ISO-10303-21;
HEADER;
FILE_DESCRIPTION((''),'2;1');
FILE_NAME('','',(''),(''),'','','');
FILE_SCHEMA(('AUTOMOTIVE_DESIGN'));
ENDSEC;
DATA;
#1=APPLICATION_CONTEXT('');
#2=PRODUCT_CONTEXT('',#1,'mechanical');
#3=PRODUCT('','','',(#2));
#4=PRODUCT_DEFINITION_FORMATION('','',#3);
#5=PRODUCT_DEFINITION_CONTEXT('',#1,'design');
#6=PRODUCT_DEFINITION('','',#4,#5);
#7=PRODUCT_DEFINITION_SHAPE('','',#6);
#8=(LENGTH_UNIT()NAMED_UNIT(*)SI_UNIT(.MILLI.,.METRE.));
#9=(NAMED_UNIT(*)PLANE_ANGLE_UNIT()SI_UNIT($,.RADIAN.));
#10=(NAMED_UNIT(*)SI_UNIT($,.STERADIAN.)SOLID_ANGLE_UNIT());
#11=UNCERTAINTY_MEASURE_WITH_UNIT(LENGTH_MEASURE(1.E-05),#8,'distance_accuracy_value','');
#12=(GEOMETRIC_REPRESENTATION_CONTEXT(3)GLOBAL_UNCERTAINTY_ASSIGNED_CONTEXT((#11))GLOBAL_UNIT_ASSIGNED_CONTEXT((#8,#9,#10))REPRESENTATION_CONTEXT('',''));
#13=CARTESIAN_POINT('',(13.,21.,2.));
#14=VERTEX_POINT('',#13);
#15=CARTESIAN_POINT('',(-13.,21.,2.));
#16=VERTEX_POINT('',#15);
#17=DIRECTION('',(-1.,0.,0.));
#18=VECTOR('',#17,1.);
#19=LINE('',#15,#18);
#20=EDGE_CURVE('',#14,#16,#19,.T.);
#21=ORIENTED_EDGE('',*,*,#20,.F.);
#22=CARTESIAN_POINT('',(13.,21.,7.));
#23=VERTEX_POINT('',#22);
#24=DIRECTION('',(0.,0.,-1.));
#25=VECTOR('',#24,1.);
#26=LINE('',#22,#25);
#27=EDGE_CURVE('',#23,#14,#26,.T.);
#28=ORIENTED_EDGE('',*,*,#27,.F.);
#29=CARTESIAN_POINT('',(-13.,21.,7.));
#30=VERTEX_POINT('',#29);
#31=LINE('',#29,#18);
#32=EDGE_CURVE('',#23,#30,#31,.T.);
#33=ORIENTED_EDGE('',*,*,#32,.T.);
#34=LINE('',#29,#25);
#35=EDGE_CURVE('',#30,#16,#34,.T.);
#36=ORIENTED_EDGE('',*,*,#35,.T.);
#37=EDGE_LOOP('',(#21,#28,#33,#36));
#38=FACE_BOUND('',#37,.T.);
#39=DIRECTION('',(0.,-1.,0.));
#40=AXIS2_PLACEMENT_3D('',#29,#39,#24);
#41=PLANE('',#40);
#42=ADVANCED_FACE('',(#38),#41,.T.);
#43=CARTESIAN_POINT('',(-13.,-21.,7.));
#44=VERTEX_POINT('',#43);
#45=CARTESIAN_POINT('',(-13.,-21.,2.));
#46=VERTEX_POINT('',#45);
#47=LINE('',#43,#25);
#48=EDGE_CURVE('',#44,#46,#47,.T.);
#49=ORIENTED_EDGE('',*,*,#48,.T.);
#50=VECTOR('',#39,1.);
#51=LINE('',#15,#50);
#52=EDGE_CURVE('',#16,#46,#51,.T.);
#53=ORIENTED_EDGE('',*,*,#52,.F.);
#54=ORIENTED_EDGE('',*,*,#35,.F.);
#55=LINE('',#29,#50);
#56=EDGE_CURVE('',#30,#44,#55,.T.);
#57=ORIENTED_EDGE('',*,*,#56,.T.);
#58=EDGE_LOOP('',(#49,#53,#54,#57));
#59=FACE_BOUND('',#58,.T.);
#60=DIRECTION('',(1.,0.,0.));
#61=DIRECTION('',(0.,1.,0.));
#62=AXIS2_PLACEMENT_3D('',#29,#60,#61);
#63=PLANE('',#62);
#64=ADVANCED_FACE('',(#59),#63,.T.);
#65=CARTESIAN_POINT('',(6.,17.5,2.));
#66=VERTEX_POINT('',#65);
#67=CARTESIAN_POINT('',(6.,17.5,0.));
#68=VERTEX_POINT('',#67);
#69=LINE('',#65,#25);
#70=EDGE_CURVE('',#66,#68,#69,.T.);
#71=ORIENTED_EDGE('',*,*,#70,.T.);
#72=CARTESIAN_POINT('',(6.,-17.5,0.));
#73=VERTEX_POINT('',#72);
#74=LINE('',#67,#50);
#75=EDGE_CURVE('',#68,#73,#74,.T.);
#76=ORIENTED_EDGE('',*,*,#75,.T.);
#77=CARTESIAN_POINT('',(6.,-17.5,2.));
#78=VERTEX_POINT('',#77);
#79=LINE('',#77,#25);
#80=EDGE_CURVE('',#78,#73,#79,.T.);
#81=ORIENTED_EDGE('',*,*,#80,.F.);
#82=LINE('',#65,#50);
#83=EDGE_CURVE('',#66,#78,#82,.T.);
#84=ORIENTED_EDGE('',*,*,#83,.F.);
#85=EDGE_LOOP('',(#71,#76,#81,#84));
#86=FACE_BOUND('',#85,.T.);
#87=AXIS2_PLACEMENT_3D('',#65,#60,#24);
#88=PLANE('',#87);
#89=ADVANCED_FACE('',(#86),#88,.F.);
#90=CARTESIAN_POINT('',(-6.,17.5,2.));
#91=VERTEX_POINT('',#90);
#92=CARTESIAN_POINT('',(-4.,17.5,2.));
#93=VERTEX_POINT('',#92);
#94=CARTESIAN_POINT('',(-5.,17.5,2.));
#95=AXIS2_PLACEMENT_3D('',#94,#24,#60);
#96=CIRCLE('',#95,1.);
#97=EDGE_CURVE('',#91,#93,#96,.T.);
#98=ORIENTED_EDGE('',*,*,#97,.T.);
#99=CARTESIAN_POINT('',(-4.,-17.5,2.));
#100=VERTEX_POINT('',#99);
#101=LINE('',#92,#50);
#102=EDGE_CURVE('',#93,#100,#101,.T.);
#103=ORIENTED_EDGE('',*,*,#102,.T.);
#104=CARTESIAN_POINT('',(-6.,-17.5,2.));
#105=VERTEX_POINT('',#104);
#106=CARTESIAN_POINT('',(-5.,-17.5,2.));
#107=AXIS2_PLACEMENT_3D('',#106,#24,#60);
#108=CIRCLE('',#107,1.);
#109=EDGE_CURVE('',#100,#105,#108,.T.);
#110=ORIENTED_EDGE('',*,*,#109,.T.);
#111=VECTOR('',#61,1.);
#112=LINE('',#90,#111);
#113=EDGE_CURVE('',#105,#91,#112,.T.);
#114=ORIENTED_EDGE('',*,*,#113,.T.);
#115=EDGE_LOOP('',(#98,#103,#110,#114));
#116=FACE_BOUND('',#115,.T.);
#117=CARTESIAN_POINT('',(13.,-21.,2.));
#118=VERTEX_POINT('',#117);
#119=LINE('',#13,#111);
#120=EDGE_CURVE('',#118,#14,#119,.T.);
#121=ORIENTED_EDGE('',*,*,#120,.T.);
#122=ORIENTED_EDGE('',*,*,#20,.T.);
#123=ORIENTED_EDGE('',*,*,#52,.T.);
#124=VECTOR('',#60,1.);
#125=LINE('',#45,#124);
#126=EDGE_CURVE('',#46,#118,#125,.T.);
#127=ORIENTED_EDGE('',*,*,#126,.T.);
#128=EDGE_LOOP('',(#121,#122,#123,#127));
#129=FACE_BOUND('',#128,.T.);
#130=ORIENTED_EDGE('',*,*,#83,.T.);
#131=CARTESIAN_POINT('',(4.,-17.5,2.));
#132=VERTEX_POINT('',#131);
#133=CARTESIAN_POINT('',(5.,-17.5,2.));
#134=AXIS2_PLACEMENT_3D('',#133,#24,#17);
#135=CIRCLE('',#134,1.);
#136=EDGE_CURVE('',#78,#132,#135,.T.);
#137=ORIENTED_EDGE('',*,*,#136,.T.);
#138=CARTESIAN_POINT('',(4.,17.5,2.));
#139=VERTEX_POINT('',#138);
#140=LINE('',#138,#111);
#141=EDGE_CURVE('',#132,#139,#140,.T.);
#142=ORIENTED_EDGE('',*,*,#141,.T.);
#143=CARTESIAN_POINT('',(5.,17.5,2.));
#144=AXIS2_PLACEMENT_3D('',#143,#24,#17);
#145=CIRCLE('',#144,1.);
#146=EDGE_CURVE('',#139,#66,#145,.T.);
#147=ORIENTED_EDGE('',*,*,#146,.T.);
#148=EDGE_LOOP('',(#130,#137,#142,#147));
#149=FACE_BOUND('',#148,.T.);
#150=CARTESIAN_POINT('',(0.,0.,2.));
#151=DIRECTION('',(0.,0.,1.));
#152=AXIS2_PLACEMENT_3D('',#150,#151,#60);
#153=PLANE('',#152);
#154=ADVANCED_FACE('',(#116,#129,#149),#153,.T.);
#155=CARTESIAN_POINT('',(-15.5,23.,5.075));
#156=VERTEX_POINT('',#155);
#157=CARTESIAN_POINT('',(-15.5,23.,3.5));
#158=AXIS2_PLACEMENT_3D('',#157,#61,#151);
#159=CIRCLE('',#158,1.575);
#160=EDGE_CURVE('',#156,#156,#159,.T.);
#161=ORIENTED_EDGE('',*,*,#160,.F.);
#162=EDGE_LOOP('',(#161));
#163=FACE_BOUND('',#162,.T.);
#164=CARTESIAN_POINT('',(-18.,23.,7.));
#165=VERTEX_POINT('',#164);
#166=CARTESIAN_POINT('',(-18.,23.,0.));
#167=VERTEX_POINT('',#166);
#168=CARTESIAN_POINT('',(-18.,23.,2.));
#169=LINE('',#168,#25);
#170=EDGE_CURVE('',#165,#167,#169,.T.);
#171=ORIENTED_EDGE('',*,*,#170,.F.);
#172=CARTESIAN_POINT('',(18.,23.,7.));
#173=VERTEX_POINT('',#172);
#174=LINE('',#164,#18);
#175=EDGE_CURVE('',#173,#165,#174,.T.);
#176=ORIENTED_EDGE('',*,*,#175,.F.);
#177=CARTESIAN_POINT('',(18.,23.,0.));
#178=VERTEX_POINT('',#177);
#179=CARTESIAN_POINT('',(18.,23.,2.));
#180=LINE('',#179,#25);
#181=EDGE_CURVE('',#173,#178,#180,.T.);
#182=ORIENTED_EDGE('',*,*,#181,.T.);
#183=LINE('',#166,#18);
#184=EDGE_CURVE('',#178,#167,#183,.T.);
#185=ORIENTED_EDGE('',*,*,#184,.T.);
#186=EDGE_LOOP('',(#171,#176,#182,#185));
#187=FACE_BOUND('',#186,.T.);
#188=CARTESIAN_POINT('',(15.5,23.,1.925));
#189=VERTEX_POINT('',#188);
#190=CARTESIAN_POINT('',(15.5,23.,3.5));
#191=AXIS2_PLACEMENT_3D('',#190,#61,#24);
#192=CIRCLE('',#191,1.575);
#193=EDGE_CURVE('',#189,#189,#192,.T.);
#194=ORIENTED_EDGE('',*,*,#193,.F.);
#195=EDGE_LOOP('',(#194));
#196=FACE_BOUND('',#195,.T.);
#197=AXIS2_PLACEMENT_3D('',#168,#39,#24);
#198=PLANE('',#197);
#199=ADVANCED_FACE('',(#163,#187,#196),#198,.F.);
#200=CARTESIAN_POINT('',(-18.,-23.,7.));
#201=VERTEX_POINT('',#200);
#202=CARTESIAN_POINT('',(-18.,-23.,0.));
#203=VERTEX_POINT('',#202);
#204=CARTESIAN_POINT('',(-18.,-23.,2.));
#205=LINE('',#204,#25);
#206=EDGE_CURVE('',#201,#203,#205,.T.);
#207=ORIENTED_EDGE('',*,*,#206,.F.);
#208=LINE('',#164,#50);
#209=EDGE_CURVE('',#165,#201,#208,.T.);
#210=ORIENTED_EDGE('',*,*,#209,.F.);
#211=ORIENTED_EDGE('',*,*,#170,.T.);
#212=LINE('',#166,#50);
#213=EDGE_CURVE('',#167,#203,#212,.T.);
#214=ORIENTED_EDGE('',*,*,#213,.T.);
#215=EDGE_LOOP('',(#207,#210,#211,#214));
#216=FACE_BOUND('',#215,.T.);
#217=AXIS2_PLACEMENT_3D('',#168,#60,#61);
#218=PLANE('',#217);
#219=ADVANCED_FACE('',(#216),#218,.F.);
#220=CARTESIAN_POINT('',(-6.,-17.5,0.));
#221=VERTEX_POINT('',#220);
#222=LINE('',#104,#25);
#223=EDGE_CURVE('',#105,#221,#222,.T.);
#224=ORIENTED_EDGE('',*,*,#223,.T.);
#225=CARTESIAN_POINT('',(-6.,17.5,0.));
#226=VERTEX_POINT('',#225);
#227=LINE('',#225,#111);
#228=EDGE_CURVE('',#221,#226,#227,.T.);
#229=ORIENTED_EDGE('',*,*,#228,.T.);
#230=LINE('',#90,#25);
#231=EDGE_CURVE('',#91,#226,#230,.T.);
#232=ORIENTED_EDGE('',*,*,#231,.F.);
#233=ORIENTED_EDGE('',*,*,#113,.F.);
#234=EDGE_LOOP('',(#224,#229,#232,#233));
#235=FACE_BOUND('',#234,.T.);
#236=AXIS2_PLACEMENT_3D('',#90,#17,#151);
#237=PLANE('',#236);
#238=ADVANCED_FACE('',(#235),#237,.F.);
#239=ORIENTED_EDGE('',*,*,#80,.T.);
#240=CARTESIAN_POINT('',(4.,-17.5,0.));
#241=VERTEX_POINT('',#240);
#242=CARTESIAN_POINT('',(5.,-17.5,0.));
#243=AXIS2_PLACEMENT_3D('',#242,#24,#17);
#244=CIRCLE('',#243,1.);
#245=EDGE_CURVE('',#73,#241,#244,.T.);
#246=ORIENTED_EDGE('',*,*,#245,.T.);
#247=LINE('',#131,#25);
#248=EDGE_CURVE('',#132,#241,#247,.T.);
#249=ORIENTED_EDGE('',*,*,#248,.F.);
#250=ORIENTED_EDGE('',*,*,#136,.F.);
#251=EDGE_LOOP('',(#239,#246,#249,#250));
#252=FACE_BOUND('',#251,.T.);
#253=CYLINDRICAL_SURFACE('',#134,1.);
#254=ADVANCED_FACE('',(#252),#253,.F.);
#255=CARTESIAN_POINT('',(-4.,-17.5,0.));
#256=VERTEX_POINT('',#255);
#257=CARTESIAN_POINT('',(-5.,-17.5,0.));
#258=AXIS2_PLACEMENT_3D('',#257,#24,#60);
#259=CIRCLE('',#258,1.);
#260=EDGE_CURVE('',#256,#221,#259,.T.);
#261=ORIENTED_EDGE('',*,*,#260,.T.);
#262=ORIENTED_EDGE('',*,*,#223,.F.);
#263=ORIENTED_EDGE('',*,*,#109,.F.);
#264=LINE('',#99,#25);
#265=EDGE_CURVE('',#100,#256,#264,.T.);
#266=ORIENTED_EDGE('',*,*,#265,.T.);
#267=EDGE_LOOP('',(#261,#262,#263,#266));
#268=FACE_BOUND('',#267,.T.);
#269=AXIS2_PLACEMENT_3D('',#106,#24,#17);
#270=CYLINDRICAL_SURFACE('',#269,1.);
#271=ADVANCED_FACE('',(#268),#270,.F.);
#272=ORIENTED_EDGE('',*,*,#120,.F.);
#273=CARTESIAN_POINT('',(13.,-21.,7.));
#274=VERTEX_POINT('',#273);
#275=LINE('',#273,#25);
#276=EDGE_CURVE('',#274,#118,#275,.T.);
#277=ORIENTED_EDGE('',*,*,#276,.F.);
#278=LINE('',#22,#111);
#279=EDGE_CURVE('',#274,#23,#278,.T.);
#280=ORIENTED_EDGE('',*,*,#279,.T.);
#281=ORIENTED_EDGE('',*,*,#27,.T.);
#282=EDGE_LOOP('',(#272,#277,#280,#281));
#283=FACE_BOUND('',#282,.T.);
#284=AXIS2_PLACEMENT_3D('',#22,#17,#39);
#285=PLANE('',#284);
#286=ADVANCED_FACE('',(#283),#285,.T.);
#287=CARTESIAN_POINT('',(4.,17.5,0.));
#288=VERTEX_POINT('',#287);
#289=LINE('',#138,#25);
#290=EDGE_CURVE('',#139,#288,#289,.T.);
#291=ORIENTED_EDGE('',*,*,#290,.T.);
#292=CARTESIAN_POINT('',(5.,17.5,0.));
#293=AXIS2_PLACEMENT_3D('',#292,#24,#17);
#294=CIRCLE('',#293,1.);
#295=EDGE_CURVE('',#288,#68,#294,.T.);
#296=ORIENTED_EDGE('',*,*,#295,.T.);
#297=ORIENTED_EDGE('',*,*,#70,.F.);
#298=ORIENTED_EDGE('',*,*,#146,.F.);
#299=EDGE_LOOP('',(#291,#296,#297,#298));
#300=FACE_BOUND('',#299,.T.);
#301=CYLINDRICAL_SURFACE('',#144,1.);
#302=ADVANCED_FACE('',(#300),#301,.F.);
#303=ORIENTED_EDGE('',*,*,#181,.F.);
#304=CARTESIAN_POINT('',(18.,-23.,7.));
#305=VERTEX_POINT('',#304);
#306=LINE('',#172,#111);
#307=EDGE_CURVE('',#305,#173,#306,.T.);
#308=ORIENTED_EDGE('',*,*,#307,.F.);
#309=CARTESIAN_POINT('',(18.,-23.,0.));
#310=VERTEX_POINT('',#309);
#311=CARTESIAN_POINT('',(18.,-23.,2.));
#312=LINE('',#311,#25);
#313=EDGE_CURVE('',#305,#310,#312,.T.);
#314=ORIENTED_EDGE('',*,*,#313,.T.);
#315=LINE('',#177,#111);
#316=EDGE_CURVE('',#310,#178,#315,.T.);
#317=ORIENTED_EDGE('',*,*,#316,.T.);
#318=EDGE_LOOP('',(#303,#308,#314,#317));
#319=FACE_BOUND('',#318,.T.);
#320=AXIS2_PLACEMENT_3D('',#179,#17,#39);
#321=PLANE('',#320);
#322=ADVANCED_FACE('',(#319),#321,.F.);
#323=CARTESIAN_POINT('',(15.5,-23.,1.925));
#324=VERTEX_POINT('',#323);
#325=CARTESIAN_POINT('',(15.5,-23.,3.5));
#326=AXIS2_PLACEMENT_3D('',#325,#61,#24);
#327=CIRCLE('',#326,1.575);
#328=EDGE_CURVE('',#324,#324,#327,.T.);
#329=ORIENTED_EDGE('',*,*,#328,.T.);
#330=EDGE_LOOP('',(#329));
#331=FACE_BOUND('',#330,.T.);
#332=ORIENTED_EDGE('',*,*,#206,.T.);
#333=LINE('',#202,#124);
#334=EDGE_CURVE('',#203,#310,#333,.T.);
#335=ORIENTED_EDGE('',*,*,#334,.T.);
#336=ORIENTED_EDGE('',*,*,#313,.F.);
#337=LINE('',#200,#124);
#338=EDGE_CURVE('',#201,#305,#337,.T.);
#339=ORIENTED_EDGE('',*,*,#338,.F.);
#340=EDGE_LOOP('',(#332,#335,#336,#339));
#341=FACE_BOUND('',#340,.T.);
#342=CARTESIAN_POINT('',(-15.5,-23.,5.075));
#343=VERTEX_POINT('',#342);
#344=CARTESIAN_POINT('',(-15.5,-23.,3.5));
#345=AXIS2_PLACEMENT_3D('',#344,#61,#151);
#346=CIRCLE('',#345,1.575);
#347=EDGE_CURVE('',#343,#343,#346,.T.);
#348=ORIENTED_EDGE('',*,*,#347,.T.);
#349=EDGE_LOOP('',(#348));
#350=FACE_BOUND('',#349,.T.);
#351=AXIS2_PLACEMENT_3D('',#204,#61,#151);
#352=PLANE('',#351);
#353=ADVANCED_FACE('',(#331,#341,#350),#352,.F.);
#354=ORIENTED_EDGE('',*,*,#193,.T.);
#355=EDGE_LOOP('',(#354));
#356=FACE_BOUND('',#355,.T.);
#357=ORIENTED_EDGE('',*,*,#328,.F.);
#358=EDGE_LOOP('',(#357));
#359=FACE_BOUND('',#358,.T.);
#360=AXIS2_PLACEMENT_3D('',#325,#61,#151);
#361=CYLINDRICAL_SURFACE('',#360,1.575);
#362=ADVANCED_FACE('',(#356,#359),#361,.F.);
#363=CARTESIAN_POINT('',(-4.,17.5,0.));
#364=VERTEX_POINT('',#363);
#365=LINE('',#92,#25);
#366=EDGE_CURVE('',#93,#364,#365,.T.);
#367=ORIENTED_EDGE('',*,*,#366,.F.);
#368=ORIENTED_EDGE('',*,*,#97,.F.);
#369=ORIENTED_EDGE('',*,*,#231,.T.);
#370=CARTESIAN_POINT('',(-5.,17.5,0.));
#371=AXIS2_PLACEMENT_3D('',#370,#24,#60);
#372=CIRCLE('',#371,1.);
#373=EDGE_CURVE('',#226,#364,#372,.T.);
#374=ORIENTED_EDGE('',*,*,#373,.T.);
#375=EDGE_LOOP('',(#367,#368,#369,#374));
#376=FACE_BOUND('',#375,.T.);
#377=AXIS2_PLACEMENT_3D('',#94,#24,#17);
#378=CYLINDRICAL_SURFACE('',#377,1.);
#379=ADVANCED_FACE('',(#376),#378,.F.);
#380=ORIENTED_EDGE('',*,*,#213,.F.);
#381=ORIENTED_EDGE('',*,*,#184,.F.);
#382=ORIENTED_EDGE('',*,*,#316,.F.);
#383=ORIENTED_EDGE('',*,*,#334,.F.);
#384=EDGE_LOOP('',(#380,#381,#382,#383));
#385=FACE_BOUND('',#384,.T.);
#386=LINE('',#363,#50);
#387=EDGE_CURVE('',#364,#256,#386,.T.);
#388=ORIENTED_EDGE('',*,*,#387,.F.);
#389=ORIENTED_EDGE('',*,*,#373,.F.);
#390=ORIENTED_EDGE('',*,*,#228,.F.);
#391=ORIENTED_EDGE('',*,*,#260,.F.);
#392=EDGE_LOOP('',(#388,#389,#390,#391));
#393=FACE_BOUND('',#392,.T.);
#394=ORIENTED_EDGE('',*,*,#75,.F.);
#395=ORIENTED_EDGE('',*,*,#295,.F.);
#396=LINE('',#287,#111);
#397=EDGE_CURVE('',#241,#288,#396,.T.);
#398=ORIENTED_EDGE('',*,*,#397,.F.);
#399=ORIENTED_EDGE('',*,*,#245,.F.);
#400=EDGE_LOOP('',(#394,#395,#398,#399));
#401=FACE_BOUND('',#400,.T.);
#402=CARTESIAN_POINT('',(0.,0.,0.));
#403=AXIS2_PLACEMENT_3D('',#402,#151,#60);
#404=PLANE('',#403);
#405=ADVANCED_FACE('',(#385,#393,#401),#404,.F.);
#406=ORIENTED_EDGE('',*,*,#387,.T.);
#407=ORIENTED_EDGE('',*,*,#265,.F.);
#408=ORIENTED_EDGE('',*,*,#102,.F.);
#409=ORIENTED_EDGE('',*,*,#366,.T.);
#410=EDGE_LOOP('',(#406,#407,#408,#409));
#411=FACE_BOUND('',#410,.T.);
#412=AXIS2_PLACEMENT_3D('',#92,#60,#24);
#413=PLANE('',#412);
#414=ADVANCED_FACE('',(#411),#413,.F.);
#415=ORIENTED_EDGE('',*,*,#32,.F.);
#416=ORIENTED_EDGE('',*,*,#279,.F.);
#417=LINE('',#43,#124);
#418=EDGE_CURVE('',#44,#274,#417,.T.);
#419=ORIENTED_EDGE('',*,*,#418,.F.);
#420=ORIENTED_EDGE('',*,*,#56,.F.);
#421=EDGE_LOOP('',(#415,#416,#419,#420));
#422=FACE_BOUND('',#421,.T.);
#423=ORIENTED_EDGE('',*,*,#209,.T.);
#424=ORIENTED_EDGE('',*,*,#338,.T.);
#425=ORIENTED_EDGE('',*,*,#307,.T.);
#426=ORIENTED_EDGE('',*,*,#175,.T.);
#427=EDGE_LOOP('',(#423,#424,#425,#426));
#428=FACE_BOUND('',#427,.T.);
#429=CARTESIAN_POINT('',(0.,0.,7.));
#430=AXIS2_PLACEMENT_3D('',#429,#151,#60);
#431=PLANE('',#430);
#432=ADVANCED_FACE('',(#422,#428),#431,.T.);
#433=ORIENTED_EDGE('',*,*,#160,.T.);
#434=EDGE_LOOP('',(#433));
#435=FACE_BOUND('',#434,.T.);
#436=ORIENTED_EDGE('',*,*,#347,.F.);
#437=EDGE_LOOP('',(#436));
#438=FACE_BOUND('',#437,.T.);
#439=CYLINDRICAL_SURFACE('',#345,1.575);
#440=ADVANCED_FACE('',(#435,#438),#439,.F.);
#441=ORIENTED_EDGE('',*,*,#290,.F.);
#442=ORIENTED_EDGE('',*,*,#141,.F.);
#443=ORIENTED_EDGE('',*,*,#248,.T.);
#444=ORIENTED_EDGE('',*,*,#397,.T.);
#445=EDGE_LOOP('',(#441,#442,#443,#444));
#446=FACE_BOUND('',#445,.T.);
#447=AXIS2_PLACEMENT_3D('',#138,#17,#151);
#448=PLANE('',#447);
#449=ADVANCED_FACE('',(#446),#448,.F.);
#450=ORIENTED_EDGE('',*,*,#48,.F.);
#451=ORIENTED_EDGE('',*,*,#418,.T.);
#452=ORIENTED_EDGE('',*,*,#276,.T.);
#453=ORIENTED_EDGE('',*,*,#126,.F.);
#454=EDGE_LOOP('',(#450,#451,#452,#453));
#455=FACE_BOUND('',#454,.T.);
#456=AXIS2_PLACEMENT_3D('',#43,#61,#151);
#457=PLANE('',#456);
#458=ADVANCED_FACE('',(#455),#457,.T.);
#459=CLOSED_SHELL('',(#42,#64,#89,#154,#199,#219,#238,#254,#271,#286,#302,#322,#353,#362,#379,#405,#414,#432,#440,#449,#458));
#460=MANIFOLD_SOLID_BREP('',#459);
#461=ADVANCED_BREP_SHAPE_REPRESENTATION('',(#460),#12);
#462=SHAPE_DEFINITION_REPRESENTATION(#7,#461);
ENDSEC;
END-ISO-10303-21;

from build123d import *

# Parameters (mm, degrees)
SKETCH1_W           = 36
SKETCH1_H           = 46
BOSS_EXTRUDE1_DEPTH = 2
SKETCH2_W           = 36
SKETCH2_H           = 46
SKETCH2_W_2         = 26
SKETCH2_H_2         = 42
BOSS_EXTRUDE2_DEPTH = 5
SKETCH3_R           = 1.575
CUT_EXTRUDE1_DEPTH  = 50.889878733
CUT_EXTRUDE2_DEPTH  = 2


with BuildPart() as part:
    # Sketch1 → Boss-Extrude1 (new body)
    with BuildSketch(Plane.XY):
        Rectangle(SKETCH1_W, SKETCH1_H)
    extrude(amount=BOSS_EXTRUDE1_DEPTH)

    # Sketch2 → Boss-Extrude2 (add)
    with BuildSketch(Plane.XY.offset(2)):
        Rectangle(SKETCH2_W, SKETCH2_H)
        Rectangle(SKETCH2_W_2, SKETCH2_H_2, mode=Mode.SUBTRACT)
    extrude(amount=BOSS_EXTRUDE2_DEPTH)

    # Sketch3 → Cut-Extrude1 (cut, through all)
    with BuildSketch(Plane(origin=(0, 23, 0), x_dir=(1, 0, 0), z_dir=(0, 1, 0))):
        with Locations(Location((-15.5, -3.5, 0), (0, 0, 270))):
            Circle(SKETCH3_R)
        with Locations(Location((15.5, -3.5, 0), (0, 0, 90))):
            Circle(SKETCH3_R)
    extrude(amount=-CUT_EXTRUDE1_DEPTH, mode=Mode.SUBTRACT)

    # Sketch4 → Cut-Extrude2 (cut)
    with BuildSketch(Plane(origin=(0, 0, 0), x_dir=(-1, 0, 0), z_dir=(0, 0, -1))):
        with BuildLine():
            Line((-4, 17.5), (-4, -17.5))
            ThreePointArc((-4, -17.5), (-5, -18.5), (-6, -17.5))
            Line((-6, -17.5), (-6, 17.5))
            ThreePointArc((-6, 17.5), (-5, 18.5), (-4, 17.5))
        make_face()
        with BuildLine():
            Line((4, 17.5), (4, -17.5))
            ThreePointArc((4, -17.5), (5, -18.5), (6, -17.5))
            Line((6, -17.5), (6, 17.5))
            ThreePointArc((6, 17.5), (5, 18.5), (4, 17.5))
        make_face()
    extrude(amount=-CUT_EXTRUDE2_DEPTH, mode=Mode.SUBTRACT)


solid = part.part
